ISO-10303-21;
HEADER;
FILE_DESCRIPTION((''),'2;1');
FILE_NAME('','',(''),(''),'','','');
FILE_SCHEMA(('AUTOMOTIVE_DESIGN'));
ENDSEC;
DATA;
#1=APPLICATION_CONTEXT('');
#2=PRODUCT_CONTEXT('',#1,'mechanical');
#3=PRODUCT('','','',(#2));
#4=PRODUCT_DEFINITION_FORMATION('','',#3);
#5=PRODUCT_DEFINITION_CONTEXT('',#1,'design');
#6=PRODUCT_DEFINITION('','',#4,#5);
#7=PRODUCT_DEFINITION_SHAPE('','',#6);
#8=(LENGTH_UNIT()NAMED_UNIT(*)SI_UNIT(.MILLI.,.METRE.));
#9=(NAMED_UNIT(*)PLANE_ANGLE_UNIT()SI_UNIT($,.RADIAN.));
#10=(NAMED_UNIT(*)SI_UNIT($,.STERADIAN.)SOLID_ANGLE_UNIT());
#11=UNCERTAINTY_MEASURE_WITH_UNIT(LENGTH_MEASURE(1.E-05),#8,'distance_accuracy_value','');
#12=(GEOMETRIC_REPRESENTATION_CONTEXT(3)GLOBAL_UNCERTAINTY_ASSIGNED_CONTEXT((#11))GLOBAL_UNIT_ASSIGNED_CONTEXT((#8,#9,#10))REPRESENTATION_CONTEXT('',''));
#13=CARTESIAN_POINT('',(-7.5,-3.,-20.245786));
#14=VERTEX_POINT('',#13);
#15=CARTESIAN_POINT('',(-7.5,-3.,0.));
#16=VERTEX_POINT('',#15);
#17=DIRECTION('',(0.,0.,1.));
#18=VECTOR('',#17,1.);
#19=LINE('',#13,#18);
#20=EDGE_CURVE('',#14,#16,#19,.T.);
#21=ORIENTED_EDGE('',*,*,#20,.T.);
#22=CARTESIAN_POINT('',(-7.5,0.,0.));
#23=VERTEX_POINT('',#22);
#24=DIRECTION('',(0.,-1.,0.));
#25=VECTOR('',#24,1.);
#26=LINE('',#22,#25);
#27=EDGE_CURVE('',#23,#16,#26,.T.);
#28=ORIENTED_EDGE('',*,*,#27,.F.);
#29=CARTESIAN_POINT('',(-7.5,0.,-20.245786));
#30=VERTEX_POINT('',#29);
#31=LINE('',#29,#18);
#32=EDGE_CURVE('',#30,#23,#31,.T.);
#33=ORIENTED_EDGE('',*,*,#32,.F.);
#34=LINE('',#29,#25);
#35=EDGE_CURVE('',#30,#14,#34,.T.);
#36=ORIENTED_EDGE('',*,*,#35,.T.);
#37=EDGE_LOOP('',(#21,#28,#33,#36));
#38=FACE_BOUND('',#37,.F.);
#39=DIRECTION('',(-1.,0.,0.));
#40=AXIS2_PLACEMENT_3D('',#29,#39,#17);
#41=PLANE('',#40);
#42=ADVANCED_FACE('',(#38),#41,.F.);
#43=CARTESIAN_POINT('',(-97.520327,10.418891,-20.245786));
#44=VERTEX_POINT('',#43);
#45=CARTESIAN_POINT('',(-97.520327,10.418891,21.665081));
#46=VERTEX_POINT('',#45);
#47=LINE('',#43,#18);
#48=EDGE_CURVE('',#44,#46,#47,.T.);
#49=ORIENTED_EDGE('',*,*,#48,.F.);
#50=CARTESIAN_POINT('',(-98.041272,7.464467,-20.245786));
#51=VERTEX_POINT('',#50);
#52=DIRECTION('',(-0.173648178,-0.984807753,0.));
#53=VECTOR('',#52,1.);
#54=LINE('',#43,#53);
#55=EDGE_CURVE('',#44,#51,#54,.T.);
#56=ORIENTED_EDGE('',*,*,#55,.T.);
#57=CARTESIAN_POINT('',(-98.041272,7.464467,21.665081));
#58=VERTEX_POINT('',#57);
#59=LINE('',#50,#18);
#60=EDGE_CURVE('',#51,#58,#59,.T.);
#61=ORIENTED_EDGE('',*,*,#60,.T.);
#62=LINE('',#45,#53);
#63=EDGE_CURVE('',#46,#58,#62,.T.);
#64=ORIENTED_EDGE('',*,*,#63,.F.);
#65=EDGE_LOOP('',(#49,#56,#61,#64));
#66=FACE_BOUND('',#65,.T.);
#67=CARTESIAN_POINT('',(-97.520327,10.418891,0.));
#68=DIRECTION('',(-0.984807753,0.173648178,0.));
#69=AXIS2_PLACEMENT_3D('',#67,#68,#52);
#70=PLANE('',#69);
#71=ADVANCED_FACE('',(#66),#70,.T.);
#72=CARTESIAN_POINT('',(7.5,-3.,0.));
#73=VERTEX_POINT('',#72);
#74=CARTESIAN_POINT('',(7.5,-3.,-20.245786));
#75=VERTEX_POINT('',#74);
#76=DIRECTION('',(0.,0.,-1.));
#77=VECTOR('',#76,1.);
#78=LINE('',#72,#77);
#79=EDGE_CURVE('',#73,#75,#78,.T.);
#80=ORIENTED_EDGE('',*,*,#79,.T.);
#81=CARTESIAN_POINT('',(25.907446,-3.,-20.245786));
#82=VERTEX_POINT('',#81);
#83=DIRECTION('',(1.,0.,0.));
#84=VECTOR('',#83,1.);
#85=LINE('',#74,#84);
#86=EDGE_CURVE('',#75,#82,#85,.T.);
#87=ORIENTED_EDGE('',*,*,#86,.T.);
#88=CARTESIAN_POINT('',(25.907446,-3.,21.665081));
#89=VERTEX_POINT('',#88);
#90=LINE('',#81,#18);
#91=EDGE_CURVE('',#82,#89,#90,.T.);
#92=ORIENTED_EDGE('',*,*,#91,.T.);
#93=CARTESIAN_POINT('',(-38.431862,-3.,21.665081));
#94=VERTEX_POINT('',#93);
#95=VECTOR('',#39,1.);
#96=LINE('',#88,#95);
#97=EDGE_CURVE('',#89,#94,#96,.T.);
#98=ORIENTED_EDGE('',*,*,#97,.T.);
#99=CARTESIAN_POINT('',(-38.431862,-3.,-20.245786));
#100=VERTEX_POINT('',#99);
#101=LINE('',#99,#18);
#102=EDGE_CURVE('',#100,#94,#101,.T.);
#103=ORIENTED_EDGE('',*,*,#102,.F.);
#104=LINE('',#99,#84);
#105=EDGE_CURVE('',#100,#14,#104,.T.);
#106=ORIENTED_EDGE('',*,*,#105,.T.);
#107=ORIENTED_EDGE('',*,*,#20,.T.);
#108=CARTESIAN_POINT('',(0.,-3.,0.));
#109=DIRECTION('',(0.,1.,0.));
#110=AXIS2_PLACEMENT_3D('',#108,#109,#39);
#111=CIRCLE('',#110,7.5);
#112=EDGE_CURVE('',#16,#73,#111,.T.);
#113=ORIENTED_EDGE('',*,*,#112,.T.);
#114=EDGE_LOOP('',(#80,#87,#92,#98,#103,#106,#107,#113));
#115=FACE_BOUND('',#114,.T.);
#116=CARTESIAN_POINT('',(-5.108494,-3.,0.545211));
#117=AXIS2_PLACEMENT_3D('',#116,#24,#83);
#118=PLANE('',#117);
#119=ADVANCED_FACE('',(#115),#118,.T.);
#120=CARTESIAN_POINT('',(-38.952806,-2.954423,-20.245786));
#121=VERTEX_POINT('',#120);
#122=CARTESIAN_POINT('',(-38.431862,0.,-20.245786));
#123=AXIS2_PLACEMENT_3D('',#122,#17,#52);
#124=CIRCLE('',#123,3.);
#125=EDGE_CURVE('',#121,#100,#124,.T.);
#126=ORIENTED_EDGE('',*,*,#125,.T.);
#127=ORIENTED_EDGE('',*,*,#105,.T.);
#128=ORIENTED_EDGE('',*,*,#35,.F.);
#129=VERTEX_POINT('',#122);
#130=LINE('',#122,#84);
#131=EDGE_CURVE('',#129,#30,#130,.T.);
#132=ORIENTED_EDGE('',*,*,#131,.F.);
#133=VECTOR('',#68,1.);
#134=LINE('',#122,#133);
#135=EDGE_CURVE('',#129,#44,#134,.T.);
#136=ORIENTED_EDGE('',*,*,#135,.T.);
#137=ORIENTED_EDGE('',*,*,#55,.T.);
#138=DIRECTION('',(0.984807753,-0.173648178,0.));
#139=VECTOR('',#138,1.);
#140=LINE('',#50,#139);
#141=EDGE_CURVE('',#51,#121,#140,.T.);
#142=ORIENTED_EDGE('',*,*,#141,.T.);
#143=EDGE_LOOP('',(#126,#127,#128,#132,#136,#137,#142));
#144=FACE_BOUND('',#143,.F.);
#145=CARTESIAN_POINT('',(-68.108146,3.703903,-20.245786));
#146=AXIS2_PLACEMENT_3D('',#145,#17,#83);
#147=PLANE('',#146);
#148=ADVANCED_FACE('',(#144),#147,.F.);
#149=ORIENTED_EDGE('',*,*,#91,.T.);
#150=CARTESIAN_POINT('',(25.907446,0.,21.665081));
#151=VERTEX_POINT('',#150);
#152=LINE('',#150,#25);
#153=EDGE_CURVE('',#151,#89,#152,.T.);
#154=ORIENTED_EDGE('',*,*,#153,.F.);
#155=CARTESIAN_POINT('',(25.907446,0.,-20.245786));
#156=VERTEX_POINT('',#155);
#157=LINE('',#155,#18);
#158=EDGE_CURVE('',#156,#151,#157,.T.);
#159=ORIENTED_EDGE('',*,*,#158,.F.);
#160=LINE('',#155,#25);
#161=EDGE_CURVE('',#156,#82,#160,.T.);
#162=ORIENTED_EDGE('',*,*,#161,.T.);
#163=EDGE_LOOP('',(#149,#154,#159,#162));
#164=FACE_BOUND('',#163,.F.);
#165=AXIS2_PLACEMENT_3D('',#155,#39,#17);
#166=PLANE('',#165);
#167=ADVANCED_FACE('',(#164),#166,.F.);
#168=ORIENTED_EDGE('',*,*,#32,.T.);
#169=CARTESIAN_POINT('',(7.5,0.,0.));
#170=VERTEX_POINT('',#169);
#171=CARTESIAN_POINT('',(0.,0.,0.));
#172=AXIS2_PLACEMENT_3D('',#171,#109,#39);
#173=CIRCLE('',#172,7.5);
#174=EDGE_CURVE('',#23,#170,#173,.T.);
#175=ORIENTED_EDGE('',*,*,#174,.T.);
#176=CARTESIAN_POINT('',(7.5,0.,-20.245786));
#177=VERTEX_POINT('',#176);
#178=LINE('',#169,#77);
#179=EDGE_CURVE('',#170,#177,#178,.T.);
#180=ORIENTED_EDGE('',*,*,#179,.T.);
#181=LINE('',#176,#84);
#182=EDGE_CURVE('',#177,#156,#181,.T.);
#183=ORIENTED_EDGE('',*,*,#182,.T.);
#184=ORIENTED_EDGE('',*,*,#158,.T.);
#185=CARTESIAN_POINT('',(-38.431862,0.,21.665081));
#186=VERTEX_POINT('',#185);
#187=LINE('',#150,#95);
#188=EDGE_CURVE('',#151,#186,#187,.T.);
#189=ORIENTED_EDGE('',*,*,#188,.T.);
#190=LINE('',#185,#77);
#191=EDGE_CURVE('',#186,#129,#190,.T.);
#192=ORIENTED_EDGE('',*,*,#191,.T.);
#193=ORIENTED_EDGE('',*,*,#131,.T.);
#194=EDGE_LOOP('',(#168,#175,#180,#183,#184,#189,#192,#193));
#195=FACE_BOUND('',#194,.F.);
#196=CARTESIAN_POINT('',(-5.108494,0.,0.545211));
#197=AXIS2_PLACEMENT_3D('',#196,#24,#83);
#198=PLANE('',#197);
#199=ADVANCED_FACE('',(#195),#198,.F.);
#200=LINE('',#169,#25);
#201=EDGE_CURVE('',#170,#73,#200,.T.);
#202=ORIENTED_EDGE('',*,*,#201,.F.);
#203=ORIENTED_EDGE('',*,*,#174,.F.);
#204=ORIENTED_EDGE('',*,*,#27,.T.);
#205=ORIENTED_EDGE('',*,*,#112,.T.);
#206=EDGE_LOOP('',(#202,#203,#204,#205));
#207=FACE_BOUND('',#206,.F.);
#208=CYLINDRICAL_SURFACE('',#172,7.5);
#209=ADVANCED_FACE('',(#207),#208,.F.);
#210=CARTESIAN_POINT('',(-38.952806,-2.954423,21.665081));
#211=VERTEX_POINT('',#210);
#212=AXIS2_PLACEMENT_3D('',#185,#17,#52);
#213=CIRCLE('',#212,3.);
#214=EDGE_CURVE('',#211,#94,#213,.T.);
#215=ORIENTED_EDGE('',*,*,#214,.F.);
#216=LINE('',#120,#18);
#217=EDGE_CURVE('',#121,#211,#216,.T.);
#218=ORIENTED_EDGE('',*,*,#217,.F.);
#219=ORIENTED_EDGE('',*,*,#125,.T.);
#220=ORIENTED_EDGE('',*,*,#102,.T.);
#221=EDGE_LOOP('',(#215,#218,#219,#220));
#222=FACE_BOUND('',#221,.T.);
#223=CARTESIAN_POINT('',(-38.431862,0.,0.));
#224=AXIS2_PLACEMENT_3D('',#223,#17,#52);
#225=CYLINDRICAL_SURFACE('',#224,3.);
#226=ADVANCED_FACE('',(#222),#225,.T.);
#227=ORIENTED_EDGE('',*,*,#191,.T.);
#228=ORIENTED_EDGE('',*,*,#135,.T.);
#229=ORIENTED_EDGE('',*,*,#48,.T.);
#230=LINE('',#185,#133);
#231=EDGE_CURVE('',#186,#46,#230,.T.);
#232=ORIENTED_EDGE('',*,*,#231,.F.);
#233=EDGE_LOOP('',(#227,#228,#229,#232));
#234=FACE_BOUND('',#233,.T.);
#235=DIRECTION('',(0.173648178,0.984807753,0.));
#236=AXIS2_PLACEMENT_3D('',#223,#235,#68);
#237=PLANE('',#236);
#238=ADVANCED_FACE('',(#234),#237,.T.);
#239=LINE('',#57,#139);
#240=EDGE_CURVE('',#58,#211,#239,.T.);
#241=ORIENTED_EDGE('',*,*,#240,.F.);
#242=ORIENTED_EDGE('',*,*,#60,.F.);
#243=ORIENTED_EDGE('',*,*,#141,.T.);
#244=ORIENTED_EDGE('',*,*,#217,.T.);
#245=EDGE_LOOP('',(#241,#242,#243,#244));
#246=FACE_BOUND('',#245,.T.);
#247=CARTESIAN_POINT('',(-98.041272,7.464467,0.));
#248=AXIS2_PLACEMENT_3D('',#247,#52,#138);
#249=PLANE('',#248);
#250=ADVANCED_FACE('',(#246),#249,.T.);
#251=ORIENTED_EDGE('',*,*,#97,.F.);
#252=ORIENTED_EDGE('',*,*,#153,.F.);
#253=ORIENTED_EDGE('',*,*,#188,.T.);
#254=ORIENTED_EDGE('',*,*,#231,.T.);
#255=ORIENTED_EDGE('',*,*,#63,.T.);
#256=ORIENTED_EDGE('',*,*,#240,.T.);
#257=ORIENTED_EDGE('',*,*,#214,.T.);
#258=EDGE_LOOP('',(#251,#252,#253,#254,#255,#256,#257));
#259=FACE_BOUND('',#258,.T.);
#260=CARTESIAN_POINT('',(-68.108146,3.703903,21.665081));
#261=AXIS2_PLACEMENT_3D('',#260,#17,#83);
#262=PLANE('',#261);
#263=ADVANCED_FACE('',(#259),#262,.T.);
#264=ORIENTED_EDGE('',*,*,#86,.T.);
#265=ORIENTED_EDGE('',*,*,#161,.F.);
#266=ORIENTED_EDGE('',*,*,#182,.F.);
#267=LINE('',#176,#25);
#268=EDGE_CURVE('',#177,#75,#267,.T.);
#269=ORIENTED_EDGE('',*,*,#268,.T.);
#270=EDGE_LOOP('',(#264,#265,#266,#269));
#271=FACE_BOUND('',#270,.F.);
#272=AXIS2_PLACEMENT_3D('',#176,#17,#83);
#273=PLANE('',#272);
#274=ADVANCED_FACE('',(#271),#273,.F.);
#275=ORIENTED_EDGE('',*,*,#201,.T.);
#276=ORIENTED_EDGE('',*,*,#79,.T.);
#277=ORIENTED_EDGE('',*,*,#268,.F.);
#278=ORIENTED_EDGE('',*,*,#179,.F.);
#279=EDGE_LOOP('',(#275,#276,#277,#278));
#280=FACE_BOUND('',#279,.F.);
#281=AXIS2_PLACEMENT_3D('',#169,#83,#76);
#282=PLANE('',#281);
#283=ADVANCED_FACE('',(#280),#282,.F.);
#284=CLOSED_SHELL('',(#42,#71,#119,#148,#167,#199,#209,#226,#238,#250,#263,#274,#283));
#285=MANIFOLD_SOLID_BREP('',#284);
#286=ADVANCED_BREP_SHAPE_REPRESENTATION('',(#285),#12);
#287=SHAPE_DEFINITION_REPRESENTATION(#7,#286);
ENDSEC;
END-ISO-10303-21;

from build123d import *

# Parameters (mm, degrees)
F1_DEPTH      = 3
F3_DEPTH      = 21.6650813818
F3_DEPTH_BACK = 20.2457859941


with BuildPart() as f1:
    # F0 (on Front) → F1 (new body)
    with BuildSketch(Plane.XZ):
        with BuildLine():
            ThreePointArc((-7.5, 0), (0, 7.5), (7.5, 0))
            Line((7.5, 0), (7.5, -20.2457859941))
            Line((7.5, -20.2457859941), (25.9074462614, -20.2457859941))
            Line((25.9074462614, -20.2457859941), (25.9074462614, 21.6650813818))
            Line((25.9074462614, 21.6650813818), (-38.4318618068, 21.6650813818))
            Line((-38.4318618068, 21.6650813818), (-38.4318618068, -20.2457859941))
            Line((-38.4318618068, -20.2457859941), (-7.5, -20.2457859941))
            Line((-7.5, -20.2457859941), (-7.5, 0))
        make_face()
    extrude(amount=F1_DEPTH)

    # F2 (on Top) → F3 (join, two sides)
    with BuildSketch(Plane.XY) as f3_sk:
        with BuildLine():
            Line((-38.4318618068, -3), (-38.4318618068, 0))
            Line((-38.4318618068, 0), (-97.5203269875, 10.41889066))
            Line((-97.5203269875, 10.41889066), (-98.0412715205, 7.464467401))
            Line((-98.0412715205, 7.464467401), (-38.9528063398, -2.954423259))
            ThreePointArc((-38.9528063398, -2.954423259), (-38.693329035, -2.9885840943), (-38.4318618068, -3))
        make_face()
    extrude(amount=F3_DEPTH)
    extrude(f3_sk.sketch, amount=-F3_DEPTH_BACK)


solid = f1.part
